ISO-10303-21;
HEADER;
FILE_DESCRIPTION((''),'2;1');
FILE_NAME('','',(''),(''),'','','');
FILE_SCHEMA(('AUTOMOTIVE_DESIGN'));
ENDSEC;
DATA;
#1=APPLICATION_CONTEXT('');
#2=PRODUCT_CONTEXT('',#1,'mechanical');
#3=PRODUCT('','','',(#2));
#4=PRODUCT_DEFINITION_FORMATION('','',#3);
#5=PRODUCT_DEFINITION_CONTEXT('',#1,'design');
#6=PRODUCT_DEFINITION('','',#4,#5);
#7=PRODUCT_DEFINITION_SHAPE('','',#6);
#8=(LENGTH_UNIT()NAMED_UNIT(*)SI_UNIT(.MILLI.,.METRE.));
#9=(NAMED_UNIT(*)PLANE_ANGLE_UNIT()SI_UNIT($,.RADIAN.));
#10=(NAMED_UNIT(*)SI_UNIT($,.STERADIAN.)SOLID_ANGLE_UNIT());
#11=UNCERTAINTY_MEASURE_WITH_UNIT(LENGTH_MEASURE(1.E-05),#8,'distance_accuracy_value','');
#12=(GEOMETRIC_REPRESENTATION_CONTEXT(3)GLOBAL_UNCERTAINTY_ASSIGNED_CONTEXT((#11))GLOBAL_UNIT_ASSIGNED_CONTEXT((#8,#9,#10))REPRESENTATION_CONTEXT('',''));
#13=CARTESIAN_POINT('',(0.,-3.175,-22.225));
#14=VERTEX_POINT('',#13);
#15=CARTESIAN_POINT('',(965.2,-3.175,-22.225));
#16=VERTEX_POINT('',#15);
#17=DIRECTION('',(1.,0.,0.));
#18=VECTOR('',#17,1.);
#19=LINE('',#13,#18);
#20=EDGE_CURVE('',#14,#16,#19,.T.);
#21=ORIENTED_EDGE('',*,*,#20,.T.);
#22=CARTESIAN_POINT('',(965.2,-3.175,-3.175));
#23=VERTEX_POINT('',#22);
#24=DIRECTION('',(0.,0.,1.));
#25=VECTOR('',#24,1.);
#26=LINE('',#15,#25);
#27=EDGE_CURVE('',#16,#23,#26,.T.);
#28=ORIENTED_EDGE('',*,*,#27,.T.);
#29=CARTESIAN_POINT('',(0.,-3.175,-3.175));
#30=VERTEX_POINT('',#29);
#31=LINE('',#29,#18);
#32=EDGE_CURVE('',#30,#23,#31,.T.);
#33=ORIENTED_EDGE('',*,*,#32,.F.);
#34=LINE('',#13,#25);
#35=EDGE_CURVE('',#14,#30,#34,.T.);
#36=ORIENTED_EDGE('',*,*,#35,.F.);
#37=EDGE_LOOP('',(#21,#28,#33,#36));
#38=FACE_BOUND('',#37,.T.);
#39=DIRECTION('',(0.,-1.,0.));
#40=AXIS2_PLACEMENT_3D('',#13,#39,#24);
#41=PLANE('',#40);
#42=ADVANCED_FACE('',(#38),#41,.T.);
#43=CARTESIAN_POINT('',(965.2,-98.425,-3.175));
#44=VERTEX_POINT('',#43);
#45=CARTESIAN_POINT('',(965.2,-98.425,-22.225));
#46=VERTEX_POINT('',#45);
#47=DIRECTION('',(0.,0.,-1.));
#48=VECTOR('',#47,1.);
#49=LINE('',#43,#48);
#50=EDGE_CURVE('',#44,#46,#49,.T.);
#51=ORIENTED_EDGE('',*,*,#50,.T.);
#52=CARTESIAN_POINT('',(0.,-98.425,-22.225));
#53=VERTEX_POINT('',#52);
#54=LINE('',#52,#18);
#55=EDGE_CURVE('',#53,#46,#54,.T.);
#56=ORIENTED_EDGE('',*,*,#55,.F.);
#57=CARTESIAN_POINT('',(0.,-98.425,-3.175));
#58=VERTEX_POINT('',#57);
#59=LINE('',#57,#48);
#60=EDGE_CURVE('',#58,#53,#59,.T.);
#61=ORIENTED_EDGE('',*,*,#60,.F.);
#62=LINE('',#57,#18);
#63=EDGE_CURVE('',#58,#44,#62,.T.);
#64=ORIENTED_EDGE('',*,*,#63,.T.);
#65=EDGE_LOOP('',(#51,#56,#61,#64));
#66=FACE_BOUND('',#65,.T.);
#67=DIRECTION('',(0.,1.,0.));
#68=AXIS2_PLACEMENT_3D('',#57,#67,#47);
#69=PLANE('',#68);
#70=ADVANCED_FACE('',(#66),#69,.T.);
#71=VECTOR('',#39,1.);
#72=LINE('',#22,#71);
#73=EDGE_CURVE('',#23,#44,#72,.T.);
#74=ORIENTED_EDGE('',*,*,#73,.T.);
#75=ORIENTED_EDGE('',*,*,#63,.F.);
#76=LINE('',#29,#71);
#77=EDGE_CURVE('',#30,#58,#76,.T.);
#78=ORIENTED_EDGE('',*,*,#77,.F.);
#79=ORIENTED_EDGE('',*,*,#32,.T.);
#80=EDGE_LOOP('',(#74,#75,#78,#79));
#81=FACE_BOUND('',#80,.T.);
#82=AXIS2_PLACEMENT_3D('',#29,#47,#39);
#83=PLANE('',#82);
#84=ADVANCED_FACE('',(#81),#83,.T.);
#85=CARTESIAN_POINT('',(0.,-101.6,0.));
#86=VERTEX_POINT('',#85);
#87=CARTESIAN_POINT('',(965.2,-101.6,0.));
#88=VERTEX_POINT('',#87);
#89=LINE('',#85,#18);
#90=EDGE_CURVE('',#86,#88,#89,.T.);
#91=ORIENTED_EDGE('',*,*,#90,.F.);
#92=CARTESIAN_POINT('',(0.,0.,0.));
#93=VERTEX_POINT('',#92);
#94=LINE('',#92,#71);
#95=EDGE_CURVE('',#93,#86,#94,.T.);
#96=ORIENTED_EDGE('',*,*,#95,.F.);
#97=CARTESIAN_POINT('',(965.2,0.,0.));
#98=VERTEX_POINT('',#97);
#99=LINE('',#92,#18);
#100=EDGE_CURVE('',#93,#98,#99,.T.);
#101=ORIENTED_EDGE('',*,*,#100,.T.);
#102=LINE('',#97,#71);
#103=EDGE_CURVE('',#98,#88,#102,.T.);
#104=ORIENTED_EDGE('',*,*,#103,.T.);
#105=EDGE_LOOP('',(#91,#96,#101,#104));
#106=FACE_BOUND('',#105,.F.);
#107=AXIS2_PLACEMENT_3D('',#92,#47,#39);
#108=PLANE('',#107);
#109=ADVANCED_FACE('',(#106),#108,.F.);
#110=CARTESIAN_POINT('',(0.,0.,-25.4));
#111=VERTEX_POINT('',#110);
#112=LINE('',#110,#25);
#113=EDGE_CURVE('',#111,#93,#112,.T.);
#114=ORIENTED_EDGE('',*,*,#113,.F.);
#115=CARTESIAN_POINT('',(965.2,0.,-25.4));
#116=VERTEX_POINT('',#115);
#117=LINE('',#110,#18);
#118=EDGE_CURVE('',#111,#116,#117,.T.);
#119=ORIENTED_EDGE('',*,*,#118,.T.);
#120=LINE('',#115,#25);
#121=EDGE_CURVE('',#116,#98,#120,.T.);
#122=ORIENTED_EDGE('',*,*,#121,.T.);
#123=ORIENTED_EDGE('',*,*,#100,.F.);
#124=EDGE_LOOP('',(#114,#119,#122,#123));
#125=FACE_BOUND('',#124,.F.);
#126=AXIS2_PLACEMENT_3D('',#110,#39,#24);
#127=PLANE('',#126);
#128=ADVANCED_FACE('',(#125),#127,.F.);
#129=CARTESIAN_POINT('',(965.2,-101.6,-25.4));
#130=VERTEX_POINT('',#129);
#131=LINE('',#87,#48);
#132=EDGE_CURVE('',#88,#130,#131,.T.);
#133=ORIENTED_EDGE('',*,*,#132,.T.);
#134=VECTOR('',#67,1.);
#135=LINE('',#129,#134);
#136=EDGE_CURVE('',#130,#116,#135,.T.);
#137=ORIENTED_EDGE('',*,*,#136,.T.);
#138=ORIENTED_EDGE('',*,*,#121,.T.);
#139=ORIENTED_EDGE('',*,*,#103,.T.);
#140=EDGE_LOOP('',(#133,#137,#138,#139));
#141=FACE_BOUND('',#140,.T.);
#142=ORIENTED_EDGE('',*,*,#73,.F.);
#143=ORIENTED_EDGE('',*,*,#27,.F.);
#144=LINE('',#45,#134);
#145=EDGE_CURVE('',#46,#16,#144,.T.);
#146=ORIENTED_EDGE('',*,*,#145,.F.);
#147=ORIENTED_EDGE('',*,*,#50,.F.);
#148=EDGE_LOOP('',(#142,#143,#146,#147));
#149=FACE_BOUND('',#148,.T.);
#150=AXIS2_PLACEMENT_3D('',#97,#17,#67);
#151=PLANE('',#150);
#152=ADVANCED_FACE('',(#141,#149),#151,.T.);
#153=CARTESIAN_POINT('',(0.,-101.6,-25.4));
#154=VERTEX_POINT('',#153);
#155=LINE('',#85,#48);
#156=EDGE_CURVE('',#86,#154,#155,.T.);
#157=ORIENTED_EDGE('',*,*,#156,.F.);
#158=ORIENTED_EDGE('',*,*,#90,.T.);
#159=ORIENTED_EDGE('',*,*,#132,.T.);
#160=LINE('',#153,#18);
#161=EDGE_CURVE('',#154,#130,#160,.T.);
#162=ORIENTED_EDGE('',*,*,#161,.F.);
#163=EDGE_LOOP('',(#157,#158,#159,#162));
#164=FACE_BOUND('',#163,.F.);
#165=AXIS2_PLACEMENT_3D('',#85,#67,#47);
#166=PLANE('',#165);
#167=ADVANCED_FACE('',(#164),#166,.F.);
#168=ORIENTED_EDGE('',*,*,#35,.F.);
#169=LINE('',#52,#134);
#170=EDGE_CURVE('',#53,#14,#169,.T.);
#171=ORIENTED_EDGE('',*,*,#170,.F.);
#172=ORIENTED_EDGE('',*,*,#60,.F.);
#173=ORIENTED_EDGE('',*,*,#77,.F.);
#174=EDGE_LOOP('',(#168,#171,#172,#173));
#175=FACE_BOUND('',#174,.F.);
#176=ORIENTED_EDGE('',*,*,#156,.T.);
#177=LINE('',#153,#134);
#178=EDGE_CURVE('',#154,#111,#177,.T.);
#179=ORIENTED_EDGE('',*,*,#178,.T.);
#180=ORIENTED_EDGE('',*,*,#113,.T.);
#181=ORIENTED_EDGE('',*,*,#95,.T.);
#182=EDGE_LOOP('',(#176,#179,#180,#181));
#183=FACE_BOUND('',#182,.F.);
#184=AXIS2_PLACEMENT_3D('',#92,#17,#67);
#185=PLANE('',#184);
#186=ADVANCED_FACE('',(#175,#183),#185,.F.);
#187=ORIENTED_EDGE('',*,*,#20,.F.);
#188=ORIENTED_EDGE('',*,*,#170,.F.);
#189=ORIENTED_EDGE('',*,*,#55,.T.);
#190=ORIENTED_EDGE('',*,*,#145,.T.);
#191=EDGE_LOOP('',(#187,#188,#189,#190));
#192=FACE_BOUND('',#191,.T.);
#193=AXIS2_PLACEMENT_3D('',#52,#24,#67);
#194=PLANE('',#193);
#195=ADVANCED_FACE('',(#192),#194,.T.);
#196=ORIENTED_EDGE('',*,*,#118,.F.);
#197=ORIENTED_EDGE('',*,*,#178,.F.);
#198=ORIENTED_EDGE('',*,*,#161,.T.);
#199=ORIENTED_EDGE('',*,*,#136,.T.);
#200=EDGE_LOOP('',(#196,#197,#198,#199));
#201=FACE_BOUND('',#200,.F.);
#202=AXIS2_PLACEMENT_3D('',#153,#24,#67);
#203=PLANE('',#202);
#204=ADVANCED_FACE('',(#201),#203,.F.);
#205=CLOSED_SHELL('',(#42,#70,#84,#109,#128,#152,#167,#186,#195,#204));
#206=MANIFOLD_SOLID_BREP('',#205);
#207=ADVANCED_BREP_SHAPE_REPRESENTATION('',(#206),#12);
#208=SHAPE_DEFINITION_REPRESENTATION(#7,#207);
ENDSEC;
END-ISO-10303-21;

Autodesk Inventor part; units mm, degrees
ref_plane "YZ Plane" through (0, 0, 0) normal (1, 0, 0) x (0, 1, 0)
ref_plane "XZ Plane" through (0, 0, 0) normal (0, 1, 0) x (-1, 0, 0)
ref_plane "XY Plane" through (0, 0, 0) normal (0, 0, 1) x (1, 0, 0)
sketch "Sketch1" plane through (0, 0, 0) normal (1, 0, 0) x (0, 1, 0)
  line L0 (0, 0) -> (-101.6, 0)
  line L1 (-101.6, 0) -> (-101.6, -25.4)
  line L2 (-101.6, -25.4) -> (0, -25.4)
  line L3 (0, -25.4) -> (0, 0)
  line L4 (-3.175, -3.175) -> (-98.425, -3.175)
  line L5 (-98.425, -3.175) -> (-98.425, -22.225)
  line L6 (-98.425, -22.225) -> (-3.175, -22.225)
  line L7 (-3.175, -22.225) -> (-3.175, -3.175)
  dimension "d0" = 101.6
  dimension "d1" = 25.4
  dimension "d2" = 3.175
extrude "Extrusion1" add sketch "Sketch1" along normal blind 965.2
properties part number "Sprocket Large_MIR3"
